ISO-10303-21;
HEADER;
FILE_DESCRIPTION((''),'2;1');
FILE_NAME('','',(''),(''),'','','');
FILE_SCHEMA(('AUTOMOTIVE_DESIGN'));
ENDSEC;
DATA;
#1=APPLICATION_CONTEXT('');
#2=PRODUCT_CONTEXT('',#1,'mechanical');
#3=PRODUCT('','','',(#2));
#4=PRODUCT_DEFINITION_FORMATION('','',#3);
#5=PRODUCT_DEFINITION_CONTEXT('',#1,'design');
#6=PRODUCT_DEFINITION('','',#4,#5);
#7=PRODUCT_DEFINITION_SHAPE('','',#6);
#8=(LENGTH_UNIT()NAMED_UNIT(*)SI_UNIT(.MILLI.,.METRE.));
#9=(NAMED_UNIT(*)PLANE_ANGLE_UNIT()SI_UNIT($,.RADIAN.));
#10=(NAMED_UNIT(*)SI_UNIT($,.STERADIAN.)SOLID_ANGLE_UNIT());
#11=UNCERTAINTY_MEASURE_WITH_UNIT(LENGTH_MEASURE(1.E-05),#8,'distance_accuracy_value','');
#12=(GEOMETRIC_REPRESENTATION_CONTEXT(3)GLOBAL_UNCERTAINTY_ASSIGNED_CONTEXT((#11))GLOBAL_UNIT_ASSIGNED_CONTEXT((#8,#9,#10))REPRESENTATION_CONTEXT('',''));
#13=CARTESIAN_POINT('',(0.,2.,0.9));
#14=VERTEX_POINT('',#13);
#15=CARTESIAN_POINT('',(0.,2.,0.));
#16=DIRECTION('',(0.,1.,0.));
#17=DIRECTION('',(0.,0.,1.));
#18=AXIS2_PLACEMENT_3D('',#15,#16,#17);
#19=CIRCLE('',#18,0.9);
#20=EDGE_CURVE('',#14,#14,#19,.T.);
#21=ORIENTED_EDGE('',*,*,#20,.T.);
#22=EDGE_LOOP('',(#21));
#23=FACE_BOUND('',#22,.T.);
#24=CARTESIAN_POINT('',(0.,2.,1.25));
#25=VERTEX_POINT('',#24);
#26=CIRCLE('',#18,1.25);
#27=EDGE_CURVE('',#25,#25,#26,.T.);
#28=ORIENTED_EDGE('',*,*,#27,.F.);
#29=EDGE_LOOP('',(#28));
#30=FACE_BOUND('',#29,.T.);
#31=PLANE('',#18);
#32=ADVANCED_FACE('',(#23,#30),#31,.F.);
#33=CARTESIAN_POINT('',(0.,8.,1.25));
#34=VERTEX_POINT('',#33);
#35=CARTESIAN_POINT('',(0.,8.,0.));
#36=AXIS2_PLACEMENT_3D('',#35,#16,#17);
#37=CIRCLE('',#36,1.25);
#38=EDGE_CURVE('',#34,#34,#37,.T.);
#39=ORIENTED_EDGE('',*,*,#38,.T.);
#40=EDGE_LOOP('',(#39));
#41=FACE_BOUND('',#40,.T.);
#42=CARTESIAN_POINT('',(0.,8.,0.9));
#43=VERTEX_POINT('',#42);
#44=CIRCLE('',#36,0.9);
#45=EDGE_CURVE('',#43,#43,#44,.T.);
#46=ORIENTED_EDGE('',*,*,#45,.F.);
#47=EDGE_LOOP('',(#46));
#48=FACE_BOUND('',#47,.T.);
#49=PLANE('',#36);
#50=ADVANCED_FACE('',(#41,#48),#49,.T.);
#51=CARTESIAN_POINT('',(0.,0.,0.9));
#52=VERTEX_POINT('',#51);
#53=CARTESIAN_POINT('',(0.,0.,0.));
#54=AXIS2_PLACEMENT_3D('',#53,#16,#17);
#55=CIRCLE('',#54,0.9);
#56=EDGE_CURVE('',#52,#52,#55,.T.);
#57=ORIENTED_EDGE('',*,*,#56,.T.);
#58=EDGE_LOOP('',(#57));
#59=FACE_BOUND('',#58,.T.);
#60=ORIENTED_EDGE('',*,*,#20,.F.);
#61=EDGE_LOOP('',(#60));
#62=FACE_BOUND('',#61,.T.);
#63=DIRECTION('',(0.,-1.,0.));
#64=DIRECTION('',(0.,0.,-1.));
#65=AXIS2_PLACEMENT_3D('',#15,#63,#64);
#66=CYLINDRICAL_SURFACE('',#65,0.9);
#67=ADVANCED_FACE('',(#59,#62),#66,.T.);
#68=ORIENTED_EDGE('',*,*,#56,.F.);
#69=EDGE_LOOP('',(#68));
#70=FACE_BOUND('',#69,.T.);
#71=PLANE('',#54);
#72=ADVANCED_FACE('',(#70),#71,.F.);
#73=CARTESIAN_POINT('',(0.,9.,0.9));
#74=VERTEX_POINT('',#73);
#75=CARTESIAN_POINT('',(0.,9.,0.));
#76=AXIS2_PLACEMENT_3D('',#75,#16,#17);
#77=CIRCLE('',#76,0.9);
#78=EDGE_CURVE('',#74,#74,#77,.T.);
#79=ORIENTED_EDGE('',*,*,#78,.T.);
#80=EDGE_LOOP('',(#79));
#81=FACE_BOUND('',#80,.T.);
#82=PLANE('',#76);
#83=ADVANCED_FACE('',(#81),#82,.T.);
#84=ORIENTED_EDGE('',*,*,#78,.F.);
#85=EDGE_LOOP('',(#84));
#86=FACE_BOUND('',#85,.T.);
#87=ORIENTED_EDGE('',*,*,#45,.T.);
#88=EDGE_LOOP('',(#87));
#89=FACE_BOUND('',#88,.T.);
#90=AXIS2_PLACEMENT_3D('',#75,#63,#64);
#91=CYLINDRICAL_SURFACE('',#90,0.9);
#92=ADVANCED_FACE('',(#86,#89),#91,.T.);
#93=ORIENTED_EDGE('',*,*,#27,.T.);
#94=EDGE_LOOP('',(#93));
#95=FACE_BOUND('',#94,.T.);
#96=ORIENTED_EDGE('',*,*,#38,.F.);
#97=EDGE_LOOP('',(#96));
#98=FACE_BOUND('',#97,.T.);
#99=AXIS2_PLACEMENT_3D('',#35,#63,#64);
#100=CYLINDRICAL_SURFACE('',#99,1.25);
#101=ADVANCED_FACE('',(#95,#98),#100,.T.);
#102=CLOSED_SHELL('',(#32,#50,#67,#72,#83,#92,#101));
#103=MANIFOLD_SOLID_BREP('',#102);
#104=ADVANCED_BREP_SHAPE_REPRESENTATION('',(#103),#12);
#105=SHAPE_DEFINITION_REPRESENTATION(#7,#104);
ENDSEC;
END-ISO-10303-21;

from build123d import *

# Parameters (mm, degrees)
SKETCH_1_R      = 0.9
EXTRUDE_1_DEPTH = 2
SKETCH_2_R      = 1.25
EXTRUDE_2_DEPTH = 6
SKETCH_3_R      = 0.9
EXTRUDE_3_DEPTH = 1


with BuildPart() as part:
    # 草图1 → 凸台-拉伸1 (new body)
    with BuildSketch(Plane(origin=(0, 0, 0), x_dir=(1, 0, 0), z_dir=(0, 1, 0))):
        with Locations(Location((0, 0, 0), (0, 0, 270))):
            Circle(SKETCH_1_R)
    extrude(amount=EXTRUDE_1_DEPTH)

    # 草图2 → 凸台-拉伸2 (add)
    with BuildSketch(Plane(origin=(0, 2, 0), x_dir=(1, 0, 0), z_dir=(0, 1, 0))):
        with Locations(Location((0, 0, 0), (0, 0, 270))):
            Circle(SKETCH_2_R)
    extrude(amount=EXTRUDE_2_DEPTH)

    # 草图3 → 凸台-拉伸3 (add)
    with BuildSketch(Plane(origin=(0, 8, 0), x_dir=(1, 0, 0), z_dir=(0, 1, 0))):
        with Locations(Location((0, 0, 0), (0, 0, 270))):
            Circle(SKETCH_3_R)
    extrude(amount=EXTRUDE_3_DEPTH)


solid = part.part
